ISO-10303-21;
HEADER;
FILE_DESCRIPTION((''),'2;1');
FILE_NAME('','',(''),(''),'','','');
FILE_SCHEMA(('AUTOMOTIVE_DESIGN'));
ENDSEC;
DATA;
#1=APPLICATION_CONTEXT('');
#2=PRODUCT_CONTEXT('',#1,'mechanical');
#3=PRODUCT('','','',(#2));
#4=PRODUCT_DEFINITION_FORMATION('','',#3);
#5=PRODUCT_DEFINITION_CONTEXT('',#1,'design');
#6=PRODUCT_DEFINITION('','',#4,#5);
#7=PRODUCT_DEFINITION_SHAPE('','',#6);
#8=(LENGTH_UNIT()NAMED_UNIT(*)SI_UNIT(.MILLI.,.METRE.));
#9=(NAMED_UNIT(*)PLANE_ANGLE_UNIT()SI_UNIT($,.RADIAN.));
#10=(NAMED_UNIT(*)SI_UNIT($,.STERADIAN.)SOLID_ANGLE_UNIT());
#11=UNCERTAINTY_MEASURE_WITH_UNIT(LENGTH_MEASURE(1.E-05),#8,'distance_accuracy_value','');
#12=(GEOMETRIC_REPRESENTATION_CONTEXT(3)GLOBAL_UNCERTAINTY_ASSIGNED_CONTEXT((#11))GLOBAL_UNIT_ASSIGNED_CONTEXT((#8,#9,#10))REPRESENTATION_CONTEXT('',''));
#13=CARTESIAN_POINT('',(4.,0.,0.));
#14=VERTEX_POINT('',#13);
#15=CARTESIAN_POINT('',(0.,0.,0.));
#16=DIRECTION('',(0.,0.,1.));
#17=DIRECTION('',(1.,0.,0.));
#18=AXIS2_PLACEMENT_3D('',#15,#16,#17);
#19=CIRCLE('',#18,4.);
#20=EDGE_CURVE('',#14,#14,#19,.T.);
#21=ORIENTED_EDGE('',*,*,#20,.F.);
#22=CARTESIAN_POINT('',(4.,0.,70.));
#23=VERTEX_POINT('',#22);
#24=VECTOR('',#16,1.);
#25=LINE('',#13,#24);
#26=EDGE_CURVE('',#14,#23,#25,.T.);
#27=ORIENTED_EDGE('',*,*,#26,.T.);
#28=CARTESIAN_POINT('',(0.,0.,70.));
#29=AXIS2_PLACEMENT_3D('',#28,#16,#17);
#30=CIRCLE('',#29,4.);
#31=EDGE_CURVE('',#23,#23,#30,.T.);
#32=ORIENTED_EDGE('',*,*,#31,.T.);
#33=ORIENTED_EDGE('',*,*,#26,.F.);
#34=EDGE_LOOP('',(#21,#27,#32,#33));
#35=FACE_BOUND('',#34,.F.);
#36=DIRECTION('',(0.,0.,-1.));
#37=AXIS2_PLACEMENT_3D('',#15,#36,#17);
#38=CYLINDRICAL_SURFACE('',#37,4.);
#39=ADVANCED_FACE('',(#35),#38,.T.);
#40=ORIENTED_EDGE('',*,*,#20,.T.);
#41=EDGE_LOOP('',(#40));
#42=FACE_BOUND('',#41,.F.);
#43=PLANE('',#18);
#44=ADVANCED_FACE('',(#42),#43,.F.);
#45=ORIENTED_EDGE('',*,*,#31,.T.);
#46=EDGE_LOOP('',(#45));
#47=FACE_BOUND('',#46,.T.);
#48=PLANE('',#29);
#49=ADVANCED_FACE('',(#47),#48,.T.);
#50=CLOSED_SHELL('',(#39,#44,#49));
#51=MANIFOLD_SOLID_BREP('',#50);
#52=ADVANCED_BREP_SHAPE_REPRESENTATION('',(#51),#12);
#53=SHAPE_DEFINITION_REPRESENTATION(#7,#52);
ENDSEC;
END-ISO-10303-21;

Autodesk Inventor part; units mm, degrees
ref_plane "YZ Plane" through (0, 0, 0) normal (1, 0, 0) x (0, 1, 0)
ref_plane "XZ Plane" through (0, 0, 0) normal (0, 1, 0) x (-1, 0, 0)
ref_plane "XY Plane" through (0, 0, 0) normal (0, 0, 1) x (1, 0, 0)
sketch "Sketch1" plane through (0, 0, 0) normal (0, 0, 1) x (1, 0, 0)
  circle A0 centre (0, 0) radius 4
  dimension "d0" = 8
extrude "Extrusion1" add sketch "Sketch1" along normal blind 70
thread "Thread1" size "M8x1.25" class "6g" standard "ANSI Metric M Profile" full length
properties part number "Weight_Thread_2mm"
